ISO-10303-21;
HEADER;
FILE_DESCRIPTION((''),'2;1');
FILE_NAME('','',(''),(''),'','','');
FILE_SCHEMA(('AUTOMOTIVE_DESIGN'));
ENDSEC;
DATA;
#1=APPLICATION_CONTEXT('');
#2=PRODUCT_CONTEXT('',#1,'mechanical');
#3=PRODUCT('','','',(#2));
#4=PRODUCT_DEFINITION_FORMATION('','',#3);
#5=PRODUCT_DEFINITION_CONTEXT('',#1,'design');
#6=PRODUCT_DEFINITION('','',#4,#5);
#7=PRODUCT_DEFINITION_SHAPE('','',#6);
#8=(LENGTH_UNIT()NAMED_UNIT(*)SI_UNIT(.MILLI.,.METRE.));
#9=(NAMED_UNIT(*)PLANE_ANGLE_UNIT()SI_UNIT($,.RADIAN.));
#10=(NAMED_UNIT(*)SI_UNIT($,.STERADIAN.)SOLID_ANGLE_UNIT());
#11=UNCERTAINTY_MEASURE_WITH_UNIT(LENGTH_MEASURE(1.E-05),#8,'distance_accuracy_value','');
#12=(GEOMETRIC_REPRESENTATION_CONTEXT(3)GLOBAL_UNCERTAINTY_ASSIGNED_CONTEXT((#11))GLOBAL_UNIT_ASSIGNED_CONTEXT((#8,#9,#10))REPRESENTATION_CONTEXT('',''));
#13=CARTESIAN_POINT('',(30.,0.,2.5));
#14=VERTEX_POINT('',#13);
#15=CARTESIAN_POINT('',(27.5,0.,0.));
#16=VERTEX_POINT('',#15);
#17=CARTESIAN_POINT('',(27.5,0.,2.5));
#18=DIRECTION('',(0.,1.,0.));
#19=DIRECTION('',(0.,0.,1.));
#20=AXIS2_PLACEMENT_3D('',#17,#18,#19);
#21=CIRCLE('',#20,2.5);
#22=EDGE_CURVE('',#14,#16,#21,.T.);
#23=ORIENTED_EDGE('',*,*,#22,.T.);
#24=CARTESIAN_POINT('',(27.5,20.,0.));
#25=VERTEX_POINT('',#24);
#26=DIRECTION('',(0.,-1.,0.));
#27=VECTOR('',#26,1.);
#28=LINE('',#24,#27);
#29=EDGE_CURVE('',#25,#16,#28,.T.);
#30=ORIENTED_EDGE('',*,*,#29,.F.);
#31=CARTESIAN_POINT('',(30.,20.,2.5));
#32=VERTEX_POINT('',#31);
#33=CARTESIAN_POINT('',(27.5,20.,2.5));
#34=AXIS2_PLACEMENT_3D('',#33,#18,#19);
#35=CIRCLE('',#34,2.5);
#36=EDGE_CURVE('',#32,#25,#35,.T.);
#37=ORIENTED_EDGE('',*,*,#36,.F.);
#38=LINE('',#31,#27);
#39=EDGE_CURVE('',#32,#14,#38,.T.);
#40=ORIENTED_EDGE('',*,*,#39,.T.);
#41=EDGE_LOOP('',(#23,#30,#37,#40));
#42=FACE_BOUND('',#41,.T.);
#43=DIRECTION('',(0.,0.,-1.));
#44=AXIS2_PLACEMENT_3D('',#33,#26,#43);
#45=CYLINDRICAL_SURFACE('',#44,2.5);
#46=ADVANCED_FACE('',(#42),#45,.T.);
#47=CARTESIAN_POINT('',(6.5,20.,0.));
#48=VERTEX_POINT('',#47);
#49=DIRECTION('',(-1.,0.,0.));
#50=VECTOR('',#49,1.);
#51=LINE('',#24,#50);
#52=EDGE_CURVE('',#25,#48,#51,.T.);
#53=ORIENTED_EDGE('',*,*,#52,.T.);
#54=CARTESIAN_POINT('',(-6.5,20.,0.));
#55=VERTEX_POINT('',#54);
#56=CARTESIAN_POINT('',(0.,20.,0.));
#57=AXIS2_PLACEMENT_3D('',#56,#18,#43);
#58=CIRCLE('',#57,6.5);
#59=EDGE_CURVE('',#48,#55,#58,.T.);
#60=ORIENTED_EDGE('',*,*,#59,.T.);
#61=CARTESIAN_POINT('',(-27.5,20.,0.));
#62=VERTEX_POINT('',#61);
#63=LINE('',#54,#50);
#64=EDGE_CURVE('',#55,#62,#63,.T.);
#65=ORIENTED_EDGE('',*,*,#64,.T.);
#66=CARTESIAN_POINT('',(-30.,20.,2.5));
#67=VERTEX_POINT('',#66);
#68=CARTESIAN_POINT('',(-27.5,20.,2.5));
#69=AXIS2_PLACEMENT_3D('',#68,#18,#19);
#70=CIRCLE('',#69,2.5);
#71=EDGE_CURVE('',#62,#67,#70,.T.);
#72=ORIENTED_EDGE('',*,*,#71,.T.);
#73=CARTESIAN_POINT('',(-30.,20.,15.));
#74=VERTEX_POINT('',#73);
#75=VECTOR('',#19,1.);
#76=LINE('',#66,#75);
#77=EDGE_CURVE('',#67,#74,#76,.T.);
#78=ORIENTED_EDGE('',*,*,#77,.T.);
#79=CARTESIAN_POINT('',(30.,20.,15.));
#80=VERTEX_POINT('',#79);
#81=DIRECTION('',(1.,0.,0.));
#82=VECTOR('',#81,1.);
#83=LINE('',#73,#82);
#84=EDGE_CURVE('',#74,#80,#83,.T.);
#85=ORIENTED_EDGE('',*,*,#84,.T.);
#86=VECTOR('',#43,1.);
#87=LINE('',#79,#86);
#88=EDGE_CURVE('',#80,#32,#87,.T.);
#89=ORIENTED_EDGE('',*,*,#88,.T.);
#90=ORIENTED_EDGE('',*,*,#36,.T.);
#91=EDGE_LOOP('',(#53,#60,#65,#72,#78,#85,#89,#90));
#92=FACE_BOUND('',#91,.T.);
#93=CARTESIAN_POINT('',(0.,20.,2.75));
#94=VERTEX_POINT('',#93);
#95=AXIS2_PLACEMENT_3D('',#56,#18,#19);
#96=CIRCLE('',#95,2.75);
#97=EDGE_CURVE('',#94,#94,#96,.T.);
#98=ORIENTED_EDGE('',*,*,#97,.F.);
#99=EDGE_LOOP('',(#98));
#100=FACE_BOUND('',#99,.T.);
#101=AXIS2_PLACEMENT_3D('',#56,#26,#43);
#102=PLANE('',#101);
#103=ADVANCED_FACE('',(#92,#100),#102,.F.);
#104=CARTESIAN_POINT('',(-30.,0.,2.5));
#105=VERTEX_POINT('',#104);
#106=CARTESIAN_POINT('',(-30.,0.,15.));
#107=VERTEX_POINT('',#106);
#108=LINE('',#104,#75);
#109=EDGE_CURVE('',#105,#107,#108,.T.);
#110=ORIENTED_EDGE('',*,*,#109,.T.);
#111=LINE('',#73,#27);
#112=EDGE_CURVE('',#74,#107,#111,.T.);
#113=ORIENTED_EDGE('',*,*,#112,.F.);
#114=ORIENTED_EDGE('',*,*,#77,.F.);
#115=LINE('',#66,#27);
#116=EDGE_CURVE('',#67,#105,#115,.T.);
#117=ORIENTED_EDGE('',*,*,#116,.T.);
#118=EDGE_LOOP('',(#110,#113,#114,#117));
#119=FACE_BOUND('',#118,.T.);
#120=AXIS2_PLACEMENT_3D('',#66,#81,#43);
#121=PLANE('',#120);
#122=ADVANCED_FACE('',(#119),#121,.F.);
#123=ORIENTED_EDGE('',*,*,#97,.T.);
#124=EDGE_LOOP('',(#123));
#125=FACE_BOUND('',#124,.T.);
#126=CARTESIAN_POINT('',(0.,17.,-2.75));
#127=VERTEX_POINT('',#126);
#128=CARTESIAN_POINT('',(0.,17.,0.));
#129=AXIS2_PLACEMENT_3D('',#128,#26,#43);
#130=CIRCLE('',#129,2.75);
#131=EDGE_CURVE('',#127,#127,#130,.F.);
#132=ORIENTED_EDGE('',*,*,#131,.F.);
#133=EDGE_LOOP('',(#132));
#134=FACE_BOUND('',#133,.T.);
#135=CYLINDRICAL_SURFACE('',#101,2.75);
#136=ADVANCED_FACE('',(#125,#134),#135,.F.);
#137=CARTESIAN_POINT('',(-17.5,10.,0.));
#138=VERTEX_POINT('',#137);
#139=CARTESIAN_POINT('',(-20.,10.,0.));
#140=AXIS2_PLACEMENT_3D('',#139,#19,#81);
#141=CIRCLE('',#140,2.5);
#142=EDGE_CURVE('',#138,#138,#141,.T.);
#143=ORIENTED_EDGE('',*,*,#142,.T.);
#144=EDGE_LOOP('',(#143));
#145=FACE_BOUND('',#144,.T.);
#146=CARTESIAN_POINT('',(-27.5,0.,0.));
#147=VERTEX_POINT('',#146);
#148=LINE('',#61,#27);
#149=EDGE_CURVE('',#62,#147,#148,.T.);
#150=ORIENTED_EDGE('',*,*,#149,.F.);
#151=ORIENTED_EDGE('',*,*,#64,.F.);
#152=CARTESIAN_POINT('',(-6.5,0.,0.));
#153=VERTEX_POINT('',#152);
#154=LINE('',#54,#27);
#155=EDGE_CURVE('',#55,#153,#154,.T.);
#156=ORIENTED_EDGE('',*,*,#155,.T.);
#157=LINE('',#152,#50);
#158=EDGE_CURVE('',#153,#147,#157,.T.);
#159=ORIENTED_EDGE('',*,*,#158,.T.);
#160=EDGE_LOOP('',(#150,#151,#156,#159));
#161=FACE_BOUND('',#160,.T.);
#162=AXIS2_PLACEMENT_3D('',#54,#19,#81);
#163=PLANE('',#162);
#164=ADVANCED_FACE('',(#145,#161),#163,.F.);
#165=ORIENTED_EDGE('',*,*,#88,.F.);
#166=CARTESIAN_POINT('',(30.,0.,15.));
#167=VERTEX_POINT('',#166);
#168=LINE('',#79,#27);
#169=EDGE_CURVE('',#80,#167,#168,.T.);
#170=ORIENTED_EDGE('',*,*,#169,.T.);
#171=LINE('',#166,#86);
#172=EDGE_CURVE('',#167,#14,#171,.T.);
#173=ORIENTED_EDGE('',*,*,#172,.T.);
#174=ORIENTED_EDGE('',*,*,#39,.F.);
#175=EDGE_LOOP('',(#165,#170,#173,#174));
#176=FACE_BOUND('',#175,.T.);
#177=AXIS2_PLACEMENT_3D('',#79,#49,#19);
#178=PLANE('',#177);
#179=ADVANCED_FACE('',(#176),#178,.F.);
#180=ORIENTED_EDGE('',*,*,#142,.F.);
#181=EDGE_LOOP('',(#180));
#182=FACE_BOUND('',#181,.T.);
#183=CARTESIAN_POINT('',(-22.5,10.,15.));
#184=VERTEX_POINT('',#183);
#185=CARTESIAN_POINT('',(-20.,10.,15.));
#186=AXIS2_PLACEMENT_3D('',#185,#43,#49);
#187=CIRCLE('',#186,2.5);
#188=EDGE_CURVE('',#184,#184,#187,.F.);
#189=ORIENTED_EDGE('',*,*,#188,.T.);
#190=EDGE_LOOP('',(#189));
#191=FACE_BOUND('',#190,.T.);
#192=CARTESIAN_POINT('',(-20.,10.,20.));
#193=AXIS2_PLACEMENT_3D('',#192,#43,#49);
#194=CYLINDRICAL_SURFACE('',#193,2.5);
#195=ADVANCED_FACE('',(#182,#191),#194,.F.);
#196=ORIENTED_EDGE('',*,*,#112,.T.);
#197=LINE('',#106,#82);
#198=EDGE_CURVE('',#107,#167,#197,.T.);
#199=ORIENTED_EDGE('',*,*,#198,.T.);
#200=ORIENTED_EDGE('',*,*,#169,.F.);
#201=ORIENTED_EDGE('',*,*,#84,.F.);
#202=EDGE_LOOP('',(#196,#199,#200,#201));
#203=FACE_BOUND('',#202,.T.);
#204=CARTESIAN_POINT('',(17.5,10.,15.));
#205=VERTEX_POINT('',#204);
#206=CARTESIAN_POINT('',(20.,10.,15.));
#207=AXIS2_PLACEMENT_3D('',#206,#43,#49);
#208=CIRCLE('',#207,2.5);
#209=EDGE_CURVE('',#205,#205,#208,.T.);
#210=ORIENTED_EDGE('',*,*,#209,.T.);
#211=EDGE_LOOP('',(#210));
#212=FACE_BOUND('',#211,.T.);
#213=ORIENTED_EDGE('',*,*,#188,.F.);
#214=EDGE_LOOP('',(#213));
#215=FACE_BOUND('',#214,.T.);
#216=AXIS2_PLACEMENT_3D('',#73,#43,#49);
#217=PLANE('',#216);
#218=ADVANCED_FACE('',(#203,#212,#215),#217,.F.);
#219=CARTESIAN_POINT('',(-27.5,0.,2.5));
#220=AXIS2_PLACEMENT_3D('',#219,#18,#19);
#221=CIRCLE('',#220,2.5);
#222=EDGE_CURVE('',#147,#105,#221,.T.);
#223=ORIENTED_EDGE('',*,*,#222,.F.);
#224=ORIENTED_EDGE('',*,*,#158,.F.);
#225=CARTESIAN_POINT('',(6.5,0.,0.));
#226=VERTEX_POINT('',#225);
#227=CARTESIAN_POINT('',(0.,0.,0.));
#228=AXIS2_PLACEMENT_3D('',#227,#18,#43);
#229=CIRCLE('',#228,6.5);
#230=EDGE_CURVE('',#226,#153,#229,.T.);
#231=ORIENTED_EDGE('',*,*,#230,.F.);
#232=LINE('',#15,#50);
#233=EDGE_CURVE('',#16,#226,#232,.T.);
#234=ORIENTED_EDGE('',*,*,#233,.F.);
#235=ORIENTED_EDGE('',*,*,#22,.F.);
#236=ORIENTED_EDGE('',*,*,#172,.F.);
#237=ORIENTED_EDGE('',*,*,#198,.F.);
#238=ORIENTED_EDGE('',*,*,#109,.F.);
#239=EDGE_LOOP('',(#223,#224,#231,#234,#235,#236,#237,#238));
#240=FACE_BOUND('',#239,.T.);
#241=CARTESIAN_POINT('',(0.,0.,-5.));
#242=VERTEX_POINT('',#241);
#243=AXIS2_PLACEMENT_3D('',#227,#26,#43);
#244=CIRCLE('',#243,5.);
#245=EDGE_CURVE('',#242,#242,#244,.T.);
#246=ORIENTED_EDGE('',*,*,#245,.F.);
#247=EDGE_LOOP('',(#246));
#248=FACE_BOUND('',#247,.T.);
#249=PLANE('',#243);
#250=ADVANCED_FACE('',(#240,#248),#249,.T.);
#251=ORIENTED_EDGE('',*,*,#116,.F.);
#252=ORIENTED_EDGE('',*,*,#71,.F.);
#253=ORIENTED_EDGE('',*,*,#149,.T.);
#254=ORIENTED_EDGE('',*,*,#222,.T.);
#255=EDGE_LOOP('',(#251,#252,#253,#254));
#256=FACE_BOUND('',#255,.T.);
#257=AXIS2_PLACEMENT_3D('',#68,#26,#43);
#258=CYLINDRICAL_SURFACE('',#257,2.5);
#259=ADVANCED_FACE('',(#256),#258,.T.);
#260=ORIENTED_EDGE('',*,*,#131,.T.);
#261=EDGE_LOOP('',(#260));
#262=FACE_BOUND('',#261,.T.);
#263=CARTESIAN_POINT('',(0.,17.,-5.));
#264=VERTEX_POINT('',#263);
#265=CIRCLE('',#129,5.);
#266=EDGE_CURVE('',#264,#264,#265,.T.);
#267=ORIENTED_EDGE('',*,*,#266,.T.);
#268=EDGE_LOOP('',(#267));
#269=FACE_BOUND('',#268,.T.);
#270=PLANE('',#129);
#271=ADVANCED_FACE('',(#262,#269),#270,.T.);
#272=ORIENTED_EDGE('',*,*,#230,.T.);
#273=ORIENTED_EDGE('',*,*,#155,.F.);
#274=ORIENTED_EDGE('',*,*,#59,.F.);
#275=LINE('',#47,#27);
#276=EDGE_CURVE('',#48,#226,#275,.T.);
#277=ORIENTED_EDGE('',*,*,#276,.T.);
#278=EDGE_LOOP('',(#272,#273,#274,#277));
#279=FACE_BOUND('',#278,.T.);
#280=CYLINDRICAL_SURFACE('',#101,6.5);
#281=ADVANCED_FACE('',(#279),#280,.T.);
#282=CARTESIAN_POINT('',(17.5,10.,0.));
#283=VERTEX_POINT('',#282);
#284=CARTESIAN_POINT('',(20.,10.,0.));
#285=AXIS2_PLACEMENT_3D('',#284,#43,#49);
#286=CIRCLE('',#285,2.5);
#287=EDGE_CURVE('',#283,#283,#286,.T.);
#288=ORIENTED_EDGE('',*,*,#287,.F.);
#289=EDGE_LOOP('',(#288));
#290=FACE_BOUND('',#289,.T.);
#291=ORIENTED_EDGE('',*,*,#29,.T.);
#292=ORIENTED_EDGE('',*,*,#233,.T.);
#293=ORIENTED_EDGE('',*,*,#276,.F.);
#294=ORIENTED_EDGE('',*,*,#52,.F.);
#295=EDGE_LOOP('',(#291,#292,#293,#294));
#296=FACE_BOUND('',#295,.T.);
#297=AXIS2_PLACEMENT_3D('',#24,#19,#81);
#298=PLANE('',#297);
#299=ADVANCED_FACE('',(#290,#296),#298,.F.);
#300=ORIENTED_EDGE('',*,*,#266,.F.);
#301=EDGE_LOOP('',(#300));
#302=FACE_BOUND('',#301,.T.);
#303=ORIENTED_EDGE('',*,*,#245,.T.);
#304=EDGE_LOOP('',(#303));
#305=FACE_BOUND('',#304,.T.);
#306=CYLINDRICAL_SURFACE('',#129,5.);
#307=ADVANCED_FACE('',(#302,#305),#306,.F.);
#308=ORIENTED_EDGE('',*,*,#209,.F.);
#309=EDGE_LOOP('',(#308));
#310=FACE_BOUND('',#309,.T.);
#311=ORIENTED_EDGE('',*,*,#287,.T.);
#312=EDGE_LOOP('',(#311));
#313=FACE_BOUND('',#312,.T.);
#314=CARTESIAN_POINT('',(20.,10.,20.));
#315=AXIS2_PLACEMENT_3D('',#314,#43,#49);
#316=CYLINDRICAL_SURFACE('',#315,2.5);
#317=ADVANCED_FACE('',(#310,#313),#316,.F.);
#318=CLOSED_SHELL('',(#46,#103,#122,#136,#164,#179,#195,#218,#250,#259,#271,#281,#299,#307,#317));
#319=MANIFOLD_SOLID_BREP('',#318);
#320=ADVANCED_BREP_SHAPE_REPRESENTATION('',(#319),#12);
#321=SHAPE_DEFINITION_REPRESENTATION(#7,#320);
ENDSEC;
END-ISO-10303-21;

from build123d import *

# Parameters (mm, degrees)
ESQUISSE2_R             = 2.75
BOSS_EXTRU_1_DEPTH      = 20
ESQUISSE3_R             = 2.5
ENL_V_MAT_EXTRU_1_DEPTH = 20
ESQUISSE4_R             = 5
ESQUISSE4_R_2           = 2.75
ENL_V_MAT_EXTRU_2_DEPTH = 17


with BuildPart() as part:
    # Esquisse2 → Boss.-Extru.1 (new body)
    with BuildSketch(Plane(origin=(0, 0, 0), x_dir=(1, 0, 0), z_dir=(0, 1, 0))):
        with BuildLine():
            Line((-6.5, 0), (-27.5, 0))
            ThreePointArc((-27.5, 0), (-29.267766953, -0.732233047), (-30, -2.5))
            Line((-30, -2.5), (-30, -15))
            Line((-30, -15), (30, -15))
            Line((30, -15), (30, -2.5))
            ThreePointArc((30, -2.5), (29.267766953, -0.732233047), (27.5, 0))
            Line((27.5, 0), (6.5, 0))
            ThreePointArc((6.5, 0), (0, 6.5), (-6.5, 0))
        make_face()
        with Locations(Location((0, 0, 0), (0, 0, 270))):
            Circle(ESQUISSE2_R, mode=Mode.SUBTRACT)
    extrude(amount=BOSS_EXTRU_1_DEPTH)

    # Esquisse3 → Enlèv. mat.-Extru.1 (cut)
    with BuildSketch(Plane(origin=(0, 0, 0), x_dir=(-1, 0, 0), z_dir=(0, 0, -1))):
        with Locations((-20, 10)):
            Circle(ESQUISSE3_R)
        with Locations((20, 10)):
            Circle(ESQUISSE3_R)
    extrude(amount=-ENL_V_MAT_EXTRU_1_DEPTH, mode=Mode.SUBTRACT)

    # Esquisse4 → Enlèv. mat.-Extru.2 (cut)
    with BuildSketch(Plane.XZ):
        with Locations(Location((0, 0, 0), (0, 0, 270))):
            Circle(ESQUISSE4_R)
        with Locations(Location((0, 0, 0), (0, 0, 270))):
            Circle(ESQUISSE4_R_2, mode=Mode.SUBTRACT)
    extrude(amount=-ENL_V_MAT_EXTRU_2_DEPTH, mode=Mode.SUBTRACT)


solid = part.part
